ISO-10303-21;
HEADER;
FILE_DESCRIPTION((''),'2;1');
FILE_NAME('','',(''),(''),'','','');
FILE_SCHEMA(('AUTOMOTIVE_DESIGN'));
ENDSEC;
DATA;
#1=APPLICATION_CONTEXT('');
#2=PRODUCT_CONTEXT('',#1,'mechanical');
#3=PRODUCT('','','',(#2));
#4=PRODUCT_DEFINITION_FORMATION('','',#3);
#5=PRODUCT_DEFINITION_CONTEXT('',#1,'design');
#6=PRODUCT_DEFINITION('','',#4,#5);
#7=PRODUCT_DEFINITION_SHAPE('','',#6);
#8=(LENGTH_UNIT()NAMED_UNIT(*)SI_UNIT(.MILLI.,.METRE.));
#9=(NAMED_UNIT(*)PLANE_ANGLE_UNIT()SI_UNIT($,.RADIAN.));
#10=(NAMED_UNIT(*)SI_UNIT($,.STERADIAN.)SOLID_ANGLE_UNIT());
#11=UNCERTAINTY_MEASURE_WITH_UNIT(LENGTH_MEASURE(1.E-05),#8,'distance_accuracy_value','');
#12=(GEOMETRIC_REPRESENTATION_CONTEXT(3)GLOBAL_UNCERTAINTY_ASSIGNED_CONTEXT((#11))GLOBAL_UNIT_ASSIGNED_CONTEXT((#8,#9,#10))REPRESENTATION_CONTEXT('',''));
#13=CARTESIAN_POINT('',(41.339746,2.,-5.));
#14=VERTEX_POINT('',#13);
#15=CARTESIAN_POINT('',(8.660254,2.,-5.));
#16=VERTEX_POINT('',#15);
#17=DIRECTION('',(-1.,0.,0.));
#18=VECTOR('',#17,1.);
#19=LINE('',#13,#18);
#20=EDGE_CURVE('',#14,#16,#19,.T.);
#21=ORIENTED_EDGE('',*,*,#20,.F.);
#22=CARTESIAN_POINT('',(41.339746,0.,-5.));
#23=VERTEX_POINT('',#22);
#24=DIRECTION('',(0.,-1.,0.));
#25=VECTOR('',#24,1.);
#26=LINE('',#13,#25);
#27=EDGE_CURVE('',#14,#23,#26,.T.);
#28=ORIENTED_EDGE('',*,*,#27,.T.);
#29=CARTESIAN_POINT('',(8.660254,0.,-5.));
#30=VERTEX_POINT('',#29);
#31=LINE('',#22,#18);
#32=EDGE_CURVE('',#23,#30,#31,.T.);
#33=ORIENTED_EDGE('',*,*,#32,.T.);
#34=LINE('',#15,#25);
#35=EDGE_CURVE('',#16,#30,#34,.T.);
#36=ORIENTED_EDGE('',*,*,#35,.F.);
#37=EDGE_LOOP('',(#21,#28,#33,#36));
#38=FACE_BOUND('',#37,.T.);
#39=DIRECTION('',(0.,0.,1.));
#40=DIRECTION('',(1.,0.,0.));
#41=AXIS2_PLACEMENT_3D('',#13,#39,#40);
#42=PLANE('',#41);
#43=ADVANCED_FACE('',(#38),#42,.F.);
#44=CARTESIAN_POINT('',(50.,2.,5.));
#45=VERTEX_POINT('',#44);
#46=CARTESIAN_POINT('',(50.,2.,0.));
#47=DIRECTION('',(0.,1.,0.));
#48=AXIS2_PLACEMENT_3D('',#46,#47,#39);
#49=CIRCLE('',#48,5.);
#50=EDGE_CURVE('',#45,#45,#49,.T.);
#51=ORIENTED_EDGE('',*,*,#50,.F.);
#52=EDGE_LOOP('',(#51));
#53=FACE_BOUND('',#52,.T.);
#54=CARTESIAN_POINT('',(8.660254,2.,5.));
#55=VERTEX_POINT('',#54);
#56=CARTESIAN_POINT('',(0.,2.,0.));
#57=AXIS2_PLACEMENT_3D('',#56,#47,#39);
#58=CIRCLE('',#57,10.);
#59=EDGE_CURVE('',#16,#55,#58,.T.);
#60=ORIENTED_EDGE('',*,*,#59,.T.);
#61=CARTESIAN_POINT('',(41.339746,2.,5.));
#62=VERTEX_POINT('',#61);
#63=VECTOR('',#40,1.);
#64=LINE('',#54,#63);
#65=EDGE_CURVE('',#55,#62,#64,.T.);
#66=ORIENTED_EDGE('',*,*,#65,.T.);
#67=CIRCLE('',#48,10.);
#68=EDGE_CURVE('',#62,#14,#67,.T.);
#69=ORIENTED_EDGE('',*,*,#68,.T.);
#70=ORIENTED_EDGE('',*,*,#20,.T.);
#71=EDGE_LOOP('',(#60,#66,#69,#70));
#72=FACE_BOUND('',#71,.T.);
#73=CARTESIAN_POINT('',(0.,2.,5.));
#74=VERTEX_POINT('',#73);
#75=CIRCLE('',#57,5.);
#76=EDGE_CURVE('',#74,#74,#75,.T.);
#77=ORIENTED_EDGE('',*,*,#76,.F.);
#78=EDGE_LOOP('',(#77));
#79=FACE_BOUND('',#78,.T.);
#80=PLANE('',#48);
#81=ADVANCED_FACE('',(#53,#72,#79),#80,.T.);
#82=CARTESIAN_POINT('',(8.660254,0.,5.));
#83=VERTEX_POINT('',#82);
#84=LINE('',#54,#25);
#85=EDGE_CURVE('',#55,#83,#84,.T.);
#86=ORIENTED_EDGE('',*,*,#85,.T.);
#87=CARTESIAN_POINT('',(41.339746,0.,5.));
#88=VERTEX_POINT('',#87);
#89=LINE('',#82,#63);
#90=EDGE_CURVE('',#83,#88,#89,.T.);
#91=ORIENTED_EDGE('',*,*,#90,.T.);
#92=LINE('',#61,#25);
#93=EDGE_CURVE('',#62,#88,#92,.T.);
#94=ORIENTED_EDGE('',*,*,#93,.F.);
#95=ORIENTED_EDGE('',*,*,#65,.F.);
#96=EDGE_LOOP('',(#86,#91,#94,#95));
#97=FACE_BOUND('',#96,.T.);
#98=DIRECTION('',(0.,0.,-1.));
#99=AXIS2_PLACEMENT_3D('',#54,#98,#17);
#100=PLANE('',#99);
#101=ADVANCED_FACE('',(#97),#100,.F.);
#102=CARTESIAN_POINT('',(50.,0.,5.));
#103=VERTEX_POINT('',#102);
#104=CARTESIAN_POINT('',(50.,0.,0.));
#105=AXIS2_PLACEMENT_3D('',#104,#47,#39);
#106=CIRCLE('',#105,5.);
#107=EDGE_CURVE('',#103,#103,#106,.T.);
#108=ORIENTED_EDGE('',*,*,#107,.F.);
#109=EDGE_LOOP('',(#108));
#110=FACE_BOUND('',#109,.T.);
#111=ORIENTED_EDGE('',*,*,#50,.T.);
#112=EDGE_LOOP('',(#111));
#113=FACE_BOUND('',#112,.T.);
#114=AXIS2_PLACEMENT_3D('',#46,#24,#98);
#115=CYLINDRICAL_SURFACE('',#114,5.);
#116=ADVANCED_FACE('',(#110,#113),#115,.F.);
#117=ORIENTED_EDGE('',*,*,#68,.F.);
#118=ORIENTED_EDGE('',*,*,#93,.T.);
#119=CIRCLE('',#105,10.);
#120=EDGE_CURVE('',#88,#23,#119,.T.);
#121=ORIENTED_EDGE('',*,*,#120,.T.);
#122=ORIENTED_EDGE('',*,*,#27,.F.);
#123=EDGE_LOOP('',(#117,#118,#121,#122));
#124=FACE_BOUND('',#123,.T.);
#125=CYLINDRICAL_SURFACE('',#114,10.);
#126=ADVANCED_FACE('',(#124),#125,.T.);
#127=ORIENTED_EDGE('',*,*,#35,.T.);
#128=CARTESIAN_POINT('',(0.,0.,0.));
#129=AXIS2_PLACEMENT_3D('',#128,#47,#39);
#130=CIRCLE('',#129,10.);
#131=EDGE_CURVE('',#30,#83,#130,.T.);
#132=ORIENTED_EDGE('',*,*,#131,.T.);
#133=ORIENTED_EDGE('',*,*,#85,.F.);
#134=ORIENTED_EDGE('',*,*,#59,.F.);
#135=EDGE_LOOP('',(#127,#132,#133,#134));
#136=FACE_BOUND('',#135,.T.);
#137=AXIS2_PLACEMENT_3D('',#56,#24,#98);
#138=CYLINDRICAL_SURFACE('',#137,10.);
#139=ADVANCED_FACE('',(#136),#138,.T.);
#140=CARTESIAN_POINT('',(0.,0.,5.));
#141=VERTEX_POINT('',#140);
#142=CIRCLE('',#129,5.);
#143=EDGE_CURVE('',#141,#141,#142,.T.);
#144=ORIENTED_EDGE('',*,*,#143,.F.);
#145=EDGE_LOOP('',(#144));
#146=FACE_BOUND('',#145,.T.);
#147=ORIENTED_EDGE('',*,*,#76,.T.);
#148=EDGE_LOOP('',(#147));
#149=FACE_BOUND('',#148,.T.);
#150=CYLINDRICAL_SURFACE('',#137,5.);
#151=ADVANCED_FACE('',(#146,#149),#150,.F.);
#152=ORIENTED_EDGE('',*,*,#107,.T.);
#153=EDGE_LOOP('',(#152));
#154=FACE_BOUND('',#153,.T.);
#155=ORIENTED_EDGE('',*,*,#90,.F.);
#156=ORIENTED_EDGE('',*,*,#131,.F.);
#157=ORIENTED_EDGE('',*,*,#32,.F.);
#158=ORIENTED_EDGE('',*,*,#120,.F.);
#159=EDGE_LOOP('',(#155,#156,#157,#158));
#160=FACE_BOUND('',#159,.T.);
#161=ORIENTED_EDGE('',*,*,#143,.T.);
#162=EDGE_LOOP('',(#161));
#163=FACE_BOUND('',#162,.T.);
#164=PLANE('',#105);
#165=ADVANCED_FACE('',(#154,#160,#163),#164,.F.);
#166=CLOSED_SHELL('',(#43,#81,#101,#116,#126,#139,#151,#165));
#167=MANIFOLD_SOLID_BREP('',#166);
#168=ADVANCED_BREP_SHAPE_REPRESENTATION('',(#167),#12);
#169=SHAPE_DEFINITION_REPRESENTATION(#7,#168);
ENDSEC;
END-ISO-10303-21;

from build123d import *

# Parameters (mm, degrees)
SKETCH_5_R      = 5
EXTRUDE_1_DEPTH = 2


with BuildPart() as part:
    # 草圖5 → 填料-伸長1 (new body)
    with BuildSketch(Plane(origin=(0, 0, 0), x_dir=(1, 0, 0), z_dir=(0, 1, 0))):
        with BuildLine():
            Line((8.660254038, -5), (41.339745962, -5))
            ThreePointArc((41.339745962, -5), (60, 0), (41.339745962, 5))
            Line((41.339745962, 5), (8.660254038, 5))
            ThreePointArc((8.660254038, 5), (-10, 0), (8.660254038, -5))
        make_face()
        Circle(SKETCH_5_R, mode=Mode.SUBTRACT)
        with Locations((50, 0)):
            Circle(SKETCH_5_R, mode=Mode.SUBTRACT)
    extrude(amount=EXTRUDE_1_DEPTH)


solid = part.part
